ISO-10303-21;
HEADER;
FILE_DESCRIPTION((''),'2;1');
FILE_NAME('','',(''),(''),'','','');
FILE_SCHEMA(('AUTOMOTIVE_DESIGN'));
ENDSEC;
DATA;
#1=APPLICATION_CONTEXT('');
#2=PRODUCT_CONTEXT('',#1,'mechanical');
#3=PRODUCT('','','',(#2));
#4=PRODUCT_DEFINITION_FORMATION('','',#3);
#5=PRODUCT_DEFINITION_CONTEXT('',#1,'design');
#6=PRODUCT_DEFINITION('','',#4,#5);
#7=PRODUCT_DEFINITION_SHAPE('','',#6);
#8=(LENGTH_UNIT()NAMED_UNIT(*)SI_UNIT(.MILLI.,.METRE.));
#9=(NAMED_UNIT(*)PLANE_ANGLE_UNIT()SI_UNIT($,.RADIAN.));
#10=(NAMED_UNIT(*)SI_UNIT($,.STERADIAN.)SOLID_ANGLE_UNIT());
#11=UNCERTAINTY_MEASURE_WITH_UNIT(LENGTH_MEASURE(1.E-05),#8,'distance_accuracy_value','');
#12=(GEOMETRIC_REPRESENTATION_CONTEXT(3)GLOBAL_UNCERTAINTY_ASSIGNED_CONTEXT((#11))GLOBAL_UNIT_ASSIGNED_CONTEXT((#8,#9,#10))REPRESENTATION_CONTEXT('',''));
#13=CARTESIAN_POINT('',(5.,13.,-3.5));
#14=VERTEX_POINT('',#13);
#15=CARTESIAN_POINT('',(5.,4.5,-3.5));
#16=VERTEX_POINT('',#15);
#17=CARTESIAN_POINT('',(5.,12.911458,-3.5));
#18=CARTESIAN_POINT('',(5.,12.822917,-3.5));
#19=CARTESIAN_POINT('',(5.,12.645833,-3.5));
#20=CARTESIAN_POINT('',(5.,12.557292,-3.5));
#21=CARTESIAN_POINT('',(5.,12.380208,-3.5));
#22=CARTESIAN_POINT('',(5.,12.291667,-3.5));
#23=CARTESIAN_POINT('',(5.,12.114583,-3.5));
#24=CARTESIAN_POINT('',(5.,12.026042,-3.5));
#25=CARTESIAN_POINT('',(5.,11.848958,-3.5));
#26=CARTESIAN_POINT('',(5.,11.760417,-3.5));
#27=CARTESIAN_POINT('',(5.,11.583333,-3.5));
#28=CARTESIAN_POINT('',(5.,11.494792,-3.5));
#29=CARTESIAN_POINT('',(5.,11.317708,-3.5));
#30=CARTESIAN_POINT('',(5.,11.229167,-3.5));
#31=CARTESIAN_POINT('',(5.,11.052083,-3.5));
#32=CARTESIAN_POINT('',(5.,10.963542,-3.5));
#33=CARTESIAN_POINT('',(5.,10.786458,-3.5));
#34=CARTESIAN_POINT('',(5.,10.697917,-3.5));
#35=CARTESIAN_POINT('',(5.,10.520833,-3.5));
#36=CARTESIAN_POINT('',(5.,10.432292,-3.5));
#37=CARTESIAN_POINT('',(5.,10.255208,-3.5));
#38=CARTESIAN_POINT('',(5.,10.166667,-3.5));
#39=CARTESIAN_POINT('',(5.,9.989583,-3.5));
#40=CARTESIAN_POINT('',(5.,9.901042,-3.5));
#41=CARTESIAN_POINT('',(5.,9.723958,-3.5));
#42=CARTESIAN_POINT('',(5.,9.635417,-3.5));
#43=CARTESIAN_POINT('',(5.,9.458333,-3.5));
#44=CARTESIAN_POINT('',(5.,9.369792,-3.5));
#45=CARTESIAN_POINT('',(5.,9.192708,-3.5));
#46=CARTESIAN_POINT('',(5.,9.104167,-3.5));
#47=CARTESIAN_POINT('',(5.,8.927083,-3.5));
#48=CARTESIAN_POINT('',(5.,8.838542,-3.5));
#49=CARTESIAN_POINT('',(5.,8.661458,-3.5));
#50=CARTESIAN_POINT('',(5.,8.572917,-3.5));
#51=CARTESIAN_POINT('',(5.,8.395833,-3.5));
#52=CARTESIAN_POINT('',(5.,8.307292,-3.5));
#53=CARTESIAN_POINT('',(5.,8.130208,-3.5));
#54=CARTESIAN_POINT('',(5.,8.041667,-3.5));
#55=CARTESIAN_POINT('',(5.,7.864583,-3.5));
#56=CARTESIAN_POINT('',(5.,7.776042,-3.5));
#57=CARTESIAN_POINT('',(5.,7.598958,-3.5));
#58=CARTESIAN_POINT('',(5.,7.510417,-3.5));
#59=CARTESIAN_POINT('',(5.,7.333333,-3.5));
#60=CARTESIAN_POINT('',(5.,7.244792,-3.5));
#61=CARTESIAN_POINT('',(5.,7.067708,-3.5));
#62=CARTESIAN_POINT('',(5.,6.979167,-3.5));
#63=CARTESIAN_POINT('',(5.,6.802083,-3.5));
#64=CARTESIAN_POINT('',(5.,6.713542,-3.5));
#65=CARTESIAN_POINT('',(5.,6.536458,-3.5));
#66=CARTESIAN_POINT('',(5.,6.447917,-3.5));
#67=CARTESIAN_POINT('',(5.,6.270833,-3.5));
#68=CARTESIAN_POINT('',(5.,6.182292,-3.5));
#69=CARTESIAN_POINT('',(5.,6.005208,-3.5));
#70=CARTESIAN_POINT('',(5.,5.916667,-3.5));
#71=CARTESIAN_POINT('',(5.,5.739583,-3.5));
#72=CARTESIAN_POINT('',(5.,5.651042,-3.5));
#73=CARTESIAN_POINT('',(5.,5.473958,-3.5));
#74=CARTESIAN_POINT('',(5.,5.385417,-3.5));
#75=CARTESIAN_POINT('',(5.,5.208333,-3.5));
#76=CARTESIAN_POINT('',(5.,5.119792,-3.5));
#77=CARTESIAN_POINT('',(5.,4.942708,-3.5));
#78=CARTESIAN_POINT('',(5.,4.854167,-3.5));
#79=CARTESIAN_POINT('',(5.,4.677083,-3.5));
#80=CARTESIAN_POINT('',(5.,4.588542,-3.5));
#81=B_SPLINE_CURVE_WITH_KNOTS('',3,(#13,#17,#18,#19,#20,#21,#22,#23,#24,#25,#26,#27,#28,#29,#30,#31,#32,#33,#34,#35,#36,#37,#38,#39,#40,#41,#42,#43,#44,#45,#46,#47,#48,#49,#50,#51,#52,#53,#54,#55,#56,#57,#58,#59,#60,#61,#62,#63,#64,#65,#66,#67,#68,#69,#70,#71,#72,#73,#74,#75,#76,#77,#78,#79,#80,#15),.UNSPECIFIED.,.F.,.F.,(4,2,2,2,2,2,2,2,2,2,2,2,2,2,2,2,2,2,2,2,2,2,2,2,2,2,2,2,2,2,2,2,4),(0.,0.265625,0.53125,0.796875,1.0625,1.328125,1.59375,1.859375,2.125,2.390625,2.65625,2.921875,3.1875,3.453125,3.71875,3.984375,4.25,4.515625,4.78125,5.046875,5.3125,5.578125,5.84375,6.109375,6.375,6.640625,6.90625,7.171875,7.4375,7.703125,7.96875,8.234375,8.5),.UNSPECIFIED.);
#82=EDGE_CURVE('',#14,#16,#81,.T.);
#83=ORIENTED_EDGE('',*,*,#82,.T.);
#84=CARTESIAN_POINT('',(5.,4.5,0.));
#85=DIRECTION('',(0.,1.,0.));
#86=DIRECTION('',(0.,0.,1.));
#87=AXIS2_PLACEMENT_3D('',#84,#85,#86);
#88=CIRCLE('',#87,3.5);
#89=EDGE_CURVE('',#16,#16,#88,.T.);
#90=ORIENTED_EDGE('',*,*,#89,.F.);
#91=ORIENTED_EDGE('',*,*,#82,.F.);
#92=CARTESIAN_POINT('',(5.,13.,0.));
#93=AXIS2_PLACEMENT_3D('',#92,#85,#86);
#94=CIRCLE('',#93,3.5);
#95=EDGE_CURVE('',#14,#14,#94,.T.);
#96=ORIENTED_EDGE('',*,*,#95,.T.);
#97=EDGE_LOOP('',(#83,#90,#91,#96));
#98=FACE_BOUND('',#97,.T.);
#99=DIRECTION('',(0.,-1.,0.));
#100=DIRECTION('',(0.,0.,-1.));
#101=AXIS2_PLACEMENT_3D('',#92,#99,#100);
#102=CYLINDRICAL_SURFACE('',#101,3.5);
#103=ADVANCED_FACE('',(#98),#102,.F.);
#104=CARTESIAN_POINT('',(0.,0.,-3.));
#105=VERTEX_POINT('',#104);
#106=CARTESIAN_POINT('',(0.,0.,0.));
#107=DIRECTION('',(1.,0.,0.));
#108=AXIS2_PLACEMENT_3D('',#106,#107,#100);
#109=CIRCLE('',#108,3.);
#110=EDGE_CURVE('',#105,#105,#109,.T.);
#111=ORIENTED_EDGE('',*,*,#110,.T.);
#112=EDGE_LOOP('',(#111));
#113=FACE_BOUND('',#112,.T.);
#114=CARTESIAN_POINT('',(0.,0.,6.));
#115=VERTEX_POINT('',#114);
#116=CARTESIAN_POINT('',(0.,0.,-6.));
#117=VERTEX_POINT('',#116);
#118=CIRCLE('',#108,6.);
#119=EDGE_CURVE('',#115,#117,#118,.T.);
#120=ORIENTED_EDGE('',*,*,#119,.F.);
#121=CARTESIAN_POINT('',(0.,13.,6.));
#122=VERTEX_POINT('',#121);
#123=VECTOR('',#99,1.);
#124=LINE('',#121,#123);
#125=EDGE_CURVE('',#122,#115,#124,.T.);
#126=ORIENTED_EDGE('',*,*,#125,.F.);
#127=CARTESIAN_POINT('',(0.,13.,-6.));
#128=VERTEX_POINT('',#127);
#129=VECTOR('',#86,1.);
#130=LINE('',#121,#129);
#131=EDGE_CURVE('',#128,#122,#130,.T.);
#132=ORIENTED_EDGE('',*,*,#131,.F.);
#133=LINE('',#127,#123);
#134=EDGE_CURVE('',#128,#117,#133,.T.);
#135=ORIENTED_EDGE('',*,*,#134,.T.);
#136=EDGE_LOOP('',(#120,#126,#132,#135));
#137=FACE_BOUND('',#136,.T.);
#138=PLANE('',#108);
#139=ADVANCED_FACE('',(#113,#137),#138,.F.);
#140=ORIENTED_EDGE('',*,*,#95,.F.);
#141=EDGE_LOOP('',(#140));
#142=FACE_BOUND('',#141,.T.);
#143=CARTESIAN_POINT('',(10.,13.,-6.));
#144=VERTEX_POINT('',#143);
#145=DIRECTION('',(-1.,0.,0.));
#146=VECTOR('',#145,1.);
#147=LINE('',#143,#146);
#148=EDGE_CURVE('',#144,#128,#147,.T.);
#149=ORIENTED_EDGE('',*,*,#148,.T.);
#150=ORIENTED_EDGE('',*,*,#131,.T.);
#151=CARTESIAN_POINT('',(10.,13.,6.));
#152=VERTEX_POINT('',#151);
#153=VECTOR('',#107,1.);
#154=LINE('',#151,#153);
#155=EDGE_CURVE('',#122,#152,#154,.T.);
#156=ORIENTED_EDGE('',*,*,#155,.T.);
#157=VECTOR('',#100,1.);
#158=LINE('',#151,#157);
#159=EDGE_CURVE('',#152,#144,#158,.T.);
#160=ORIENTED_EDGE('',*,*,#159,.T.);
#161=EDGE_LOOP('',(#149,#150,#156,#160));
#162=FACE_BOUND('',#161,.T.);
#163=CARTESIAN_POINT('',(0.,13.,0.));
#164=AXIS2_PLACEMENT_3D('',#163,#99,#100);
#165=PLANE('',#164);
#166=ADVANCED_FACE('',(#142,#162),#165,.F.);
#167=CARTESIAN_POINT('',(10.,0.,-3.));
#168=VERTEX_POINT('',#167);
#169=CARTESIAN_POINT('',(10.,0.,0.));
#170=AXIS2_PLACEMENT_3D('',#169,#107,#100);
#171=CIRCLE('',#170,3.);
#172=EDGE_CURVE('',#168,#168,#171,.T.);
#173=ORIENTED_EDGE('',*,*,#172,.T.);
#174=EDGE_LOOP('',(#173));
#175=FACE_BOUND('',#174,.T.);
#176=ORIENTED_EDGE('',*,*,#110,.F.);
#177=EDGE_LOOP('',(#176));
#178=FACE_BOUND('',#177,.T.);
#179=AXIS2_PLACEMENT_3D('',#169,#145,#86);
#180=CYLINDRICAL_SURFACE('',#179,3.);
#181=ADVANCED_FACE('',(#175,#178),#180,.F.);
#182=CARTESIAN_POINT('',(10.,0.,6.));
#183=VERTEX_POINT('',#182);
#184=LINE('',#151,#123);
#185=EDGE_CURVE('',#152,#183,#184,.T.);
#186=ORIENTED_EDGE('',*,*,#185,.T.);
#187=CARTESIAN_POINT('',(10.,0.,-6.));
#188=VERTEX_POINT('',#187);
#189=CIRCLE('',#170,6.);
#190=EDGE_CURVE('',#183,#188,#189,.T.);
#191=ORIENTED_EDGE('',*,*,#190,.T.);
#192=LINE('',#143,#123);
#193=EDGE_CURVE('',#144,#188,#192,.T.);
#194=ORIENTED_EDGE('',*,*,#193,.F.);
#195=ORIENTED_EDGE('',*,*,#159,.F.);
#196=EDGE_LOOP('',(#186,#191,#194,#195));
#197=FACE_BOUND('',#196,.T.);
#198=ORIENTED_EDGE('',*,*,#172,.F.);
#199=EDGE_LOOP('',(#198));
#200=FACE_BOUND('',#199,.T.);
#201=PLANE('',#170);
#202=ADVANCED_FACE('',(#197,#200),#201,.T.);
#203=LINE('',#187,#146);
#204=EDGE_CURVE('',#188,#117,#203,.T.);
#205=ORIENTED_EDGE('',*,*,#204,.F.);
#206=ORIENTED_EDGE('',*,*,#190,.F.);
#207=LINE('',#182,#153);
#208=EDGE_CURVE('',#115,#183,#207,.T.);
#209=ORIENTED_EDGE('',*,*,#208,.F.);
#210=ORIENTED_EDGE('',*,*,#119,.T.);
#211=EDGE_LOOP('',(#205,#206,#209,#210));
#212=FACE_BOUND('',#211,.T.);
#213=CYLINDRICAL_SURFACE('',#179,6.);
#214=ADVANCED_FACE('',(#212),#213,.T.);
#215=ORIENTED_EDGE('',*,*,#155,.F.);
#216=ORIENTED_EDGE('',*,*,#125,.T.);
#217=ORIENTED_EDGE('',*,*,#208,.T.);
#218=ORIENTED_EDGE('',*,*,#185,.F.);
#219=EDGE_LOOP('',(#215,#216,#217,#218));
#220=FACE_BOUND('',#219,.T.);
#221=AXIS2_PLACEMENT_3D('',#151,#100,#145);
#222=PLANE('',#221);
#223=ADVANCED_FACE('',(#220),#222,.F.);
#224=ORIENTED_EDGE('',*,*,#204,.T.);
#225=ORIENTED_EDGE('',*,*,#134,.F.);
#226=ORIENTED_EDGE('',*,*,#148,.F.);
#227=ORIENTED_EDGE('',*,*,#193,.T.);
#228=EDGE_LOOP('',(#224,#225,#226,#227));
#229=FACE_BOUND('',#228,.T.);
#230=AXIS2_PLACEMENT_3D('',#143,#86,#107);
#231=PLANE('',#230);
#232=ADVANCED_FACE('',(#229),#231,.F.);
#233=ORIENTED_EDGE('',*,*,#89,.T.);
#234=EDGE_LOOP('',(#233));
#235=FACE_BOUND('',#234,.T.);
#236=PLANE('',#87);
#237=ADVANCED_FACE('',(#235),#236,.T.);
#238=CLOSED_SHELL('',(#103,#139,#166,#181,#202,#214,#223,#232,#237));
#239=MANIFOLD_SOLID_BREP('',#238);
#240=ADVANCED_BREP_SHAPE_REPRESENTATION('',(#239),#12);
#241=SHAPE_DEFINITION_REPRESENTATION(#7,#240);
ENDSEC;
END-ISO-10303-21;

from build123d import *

# Parameters (mm, degrees)
SKETCH_1_R          = 6
SKETCH_1_R_2        = 3
EXTRUDE_1_DEPTH     = 10
SKETCH_2_W          = 10
SKETCH_2_H          = 12
SKETCH_2_R          = 3.5
EXTRUDE_2_DEPTH     = 13
CUT_EXTRUDE_START   = -13
SKETCH_4_R          = 3
CUT_EXTRUDE_1_DEPTH = 13
CUT_EXTRUDE_START_2 = -8.5
SKETCH_5_R          = 3.5
CUT_EXTRUDE_2_DEPTH = 8.5


with BuildPart() as part:
    # 草图1 → 凸台-拉伸1 (new body)
    with BuildSketch(Plane(origin=(0, 0, 0), x_dir=(0, 0, -1), z_dir=(1, 0, 0))):
        Circle(SKETCH_1_R)
        Circle(SKETCH_1_R_2, mode=Mode.SUBTRACT)
    extrude(amount=EXTRUDE_1_DEPTH)

    # 草图2 → 凸台-拉伸2 (add)
    with BuildSketch(Plane(origin=(0, 0, 0), x_dir=(1, 0, 0), z_dir=(0, 1, 0))):
        with Locations((5, 0)):
            Rectangle(SKETCH_2_W, SKETCH_2_H)
        with Locations(Location((5, 0, 0), (0, 0, 90))):
            Circle(SKETCH_2_R, mode=Mode.SUBTRACT)
    extrude(amount=EXTRUDE_2_DEPTH)

    # 草图4 → 切除-拉伸1 (cut)
    with BuildSketch(Plane(origin=(10, 0, 0), x_dir=(0, 0, -1), z_dir=(1, 0, 0)).offset(CUT_EXTRUDE_START)):
        Circle(SKETCH_4_R)
    extrude(amount=CUT_EXTRUDE_1_DEPTH, mode=Mode.SUBTRACT)

    # 草图5 → 切除-拉伸2 (cut)
    with BuildSketch(Plane(origin=(0, 13, 0), x_dir=(1, 0, 0), z_dir=(0, 1, 0)).offset(CUT_EXTRUDE_START_2)):
        with Locations(Location((5, 0, 0), (0, 0, 90))):
            Circle(SKETCH_5_R)
    extrude(amount=CUT_EXTRUDE_2_DEPTH, mode=Mode.SUBTRACT)


solid = part.part
